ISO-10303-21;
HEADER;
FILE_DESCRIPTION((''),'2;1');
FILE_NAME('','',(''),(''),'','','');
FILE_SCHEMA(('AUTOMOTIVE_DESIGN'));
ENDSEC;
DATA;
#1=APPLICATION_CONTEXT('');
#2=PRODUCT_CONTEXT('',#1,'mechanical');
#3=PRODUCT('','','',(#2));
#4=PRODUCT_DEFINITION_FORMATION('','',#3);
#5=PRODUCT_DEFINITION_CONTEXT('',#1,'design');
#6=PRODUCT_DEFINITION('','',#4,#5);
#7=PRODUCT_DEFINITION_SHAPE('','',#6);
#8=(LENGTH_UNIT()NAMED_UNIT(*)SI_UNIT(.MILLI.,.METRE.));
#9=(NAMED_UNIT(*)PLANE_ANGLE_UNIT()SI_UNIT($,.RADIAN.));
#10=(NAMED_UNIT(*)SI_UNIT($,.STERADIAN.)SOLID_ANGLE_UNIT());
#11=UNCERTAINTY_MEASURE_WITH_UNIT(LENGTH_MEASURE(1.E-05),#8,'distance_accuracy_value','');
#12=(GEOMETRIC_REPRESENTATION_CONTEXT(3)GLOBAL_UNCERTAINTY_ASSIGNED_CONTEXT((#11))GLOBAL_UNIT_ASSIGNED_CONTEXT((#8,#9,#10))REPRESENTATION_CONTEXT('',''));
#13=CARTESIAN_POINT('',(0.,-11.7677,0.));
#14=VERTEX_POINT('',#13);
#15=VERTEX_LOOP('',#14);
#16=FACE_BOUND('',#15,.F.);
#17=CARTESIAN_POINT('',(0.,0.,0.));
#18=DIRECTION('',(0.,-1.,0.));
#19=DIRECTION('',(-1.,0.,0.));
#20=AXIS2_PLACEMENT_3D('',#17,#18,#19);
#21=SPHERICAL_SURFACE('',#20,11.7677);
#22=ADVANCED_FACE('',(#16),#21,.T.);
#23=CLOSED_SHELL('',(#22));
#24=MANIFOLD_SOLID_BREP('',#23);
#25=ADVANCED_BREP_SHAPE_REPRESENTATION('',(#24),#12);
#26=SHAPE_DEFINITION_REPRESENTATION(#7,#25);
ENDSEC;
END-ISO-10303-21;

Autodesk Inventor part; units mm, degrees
ref_plane "YZ Plane" through (0, 0, 0) normal (1, 0, 0) x (0, 1, 0)
ref_plane "XZ Plane" through (0, 0, 0) normal (0, 1, 0) x (-1, 0, 0)
ref_plane "XY Plane" through (0, 0, 0) normal (0, 0, 1) x (1, 0, 0)
sketch "Sketch1" plane through (0, 0, 0) normal (0, 0, 1) x (1, 0, 0)
  arc A0 (0, 11.7677) -> (0, -11.7677) centre (0, 0) ccw
  line L0 (0, 0) -> (0, 11.7677)
  line L1 (0, 0) -> (0, -11.7677)
revolve "Revolution1" add sketch "Sketch1" angle 360 about axis through (0, 0, 0) along (0, 1, 0)
